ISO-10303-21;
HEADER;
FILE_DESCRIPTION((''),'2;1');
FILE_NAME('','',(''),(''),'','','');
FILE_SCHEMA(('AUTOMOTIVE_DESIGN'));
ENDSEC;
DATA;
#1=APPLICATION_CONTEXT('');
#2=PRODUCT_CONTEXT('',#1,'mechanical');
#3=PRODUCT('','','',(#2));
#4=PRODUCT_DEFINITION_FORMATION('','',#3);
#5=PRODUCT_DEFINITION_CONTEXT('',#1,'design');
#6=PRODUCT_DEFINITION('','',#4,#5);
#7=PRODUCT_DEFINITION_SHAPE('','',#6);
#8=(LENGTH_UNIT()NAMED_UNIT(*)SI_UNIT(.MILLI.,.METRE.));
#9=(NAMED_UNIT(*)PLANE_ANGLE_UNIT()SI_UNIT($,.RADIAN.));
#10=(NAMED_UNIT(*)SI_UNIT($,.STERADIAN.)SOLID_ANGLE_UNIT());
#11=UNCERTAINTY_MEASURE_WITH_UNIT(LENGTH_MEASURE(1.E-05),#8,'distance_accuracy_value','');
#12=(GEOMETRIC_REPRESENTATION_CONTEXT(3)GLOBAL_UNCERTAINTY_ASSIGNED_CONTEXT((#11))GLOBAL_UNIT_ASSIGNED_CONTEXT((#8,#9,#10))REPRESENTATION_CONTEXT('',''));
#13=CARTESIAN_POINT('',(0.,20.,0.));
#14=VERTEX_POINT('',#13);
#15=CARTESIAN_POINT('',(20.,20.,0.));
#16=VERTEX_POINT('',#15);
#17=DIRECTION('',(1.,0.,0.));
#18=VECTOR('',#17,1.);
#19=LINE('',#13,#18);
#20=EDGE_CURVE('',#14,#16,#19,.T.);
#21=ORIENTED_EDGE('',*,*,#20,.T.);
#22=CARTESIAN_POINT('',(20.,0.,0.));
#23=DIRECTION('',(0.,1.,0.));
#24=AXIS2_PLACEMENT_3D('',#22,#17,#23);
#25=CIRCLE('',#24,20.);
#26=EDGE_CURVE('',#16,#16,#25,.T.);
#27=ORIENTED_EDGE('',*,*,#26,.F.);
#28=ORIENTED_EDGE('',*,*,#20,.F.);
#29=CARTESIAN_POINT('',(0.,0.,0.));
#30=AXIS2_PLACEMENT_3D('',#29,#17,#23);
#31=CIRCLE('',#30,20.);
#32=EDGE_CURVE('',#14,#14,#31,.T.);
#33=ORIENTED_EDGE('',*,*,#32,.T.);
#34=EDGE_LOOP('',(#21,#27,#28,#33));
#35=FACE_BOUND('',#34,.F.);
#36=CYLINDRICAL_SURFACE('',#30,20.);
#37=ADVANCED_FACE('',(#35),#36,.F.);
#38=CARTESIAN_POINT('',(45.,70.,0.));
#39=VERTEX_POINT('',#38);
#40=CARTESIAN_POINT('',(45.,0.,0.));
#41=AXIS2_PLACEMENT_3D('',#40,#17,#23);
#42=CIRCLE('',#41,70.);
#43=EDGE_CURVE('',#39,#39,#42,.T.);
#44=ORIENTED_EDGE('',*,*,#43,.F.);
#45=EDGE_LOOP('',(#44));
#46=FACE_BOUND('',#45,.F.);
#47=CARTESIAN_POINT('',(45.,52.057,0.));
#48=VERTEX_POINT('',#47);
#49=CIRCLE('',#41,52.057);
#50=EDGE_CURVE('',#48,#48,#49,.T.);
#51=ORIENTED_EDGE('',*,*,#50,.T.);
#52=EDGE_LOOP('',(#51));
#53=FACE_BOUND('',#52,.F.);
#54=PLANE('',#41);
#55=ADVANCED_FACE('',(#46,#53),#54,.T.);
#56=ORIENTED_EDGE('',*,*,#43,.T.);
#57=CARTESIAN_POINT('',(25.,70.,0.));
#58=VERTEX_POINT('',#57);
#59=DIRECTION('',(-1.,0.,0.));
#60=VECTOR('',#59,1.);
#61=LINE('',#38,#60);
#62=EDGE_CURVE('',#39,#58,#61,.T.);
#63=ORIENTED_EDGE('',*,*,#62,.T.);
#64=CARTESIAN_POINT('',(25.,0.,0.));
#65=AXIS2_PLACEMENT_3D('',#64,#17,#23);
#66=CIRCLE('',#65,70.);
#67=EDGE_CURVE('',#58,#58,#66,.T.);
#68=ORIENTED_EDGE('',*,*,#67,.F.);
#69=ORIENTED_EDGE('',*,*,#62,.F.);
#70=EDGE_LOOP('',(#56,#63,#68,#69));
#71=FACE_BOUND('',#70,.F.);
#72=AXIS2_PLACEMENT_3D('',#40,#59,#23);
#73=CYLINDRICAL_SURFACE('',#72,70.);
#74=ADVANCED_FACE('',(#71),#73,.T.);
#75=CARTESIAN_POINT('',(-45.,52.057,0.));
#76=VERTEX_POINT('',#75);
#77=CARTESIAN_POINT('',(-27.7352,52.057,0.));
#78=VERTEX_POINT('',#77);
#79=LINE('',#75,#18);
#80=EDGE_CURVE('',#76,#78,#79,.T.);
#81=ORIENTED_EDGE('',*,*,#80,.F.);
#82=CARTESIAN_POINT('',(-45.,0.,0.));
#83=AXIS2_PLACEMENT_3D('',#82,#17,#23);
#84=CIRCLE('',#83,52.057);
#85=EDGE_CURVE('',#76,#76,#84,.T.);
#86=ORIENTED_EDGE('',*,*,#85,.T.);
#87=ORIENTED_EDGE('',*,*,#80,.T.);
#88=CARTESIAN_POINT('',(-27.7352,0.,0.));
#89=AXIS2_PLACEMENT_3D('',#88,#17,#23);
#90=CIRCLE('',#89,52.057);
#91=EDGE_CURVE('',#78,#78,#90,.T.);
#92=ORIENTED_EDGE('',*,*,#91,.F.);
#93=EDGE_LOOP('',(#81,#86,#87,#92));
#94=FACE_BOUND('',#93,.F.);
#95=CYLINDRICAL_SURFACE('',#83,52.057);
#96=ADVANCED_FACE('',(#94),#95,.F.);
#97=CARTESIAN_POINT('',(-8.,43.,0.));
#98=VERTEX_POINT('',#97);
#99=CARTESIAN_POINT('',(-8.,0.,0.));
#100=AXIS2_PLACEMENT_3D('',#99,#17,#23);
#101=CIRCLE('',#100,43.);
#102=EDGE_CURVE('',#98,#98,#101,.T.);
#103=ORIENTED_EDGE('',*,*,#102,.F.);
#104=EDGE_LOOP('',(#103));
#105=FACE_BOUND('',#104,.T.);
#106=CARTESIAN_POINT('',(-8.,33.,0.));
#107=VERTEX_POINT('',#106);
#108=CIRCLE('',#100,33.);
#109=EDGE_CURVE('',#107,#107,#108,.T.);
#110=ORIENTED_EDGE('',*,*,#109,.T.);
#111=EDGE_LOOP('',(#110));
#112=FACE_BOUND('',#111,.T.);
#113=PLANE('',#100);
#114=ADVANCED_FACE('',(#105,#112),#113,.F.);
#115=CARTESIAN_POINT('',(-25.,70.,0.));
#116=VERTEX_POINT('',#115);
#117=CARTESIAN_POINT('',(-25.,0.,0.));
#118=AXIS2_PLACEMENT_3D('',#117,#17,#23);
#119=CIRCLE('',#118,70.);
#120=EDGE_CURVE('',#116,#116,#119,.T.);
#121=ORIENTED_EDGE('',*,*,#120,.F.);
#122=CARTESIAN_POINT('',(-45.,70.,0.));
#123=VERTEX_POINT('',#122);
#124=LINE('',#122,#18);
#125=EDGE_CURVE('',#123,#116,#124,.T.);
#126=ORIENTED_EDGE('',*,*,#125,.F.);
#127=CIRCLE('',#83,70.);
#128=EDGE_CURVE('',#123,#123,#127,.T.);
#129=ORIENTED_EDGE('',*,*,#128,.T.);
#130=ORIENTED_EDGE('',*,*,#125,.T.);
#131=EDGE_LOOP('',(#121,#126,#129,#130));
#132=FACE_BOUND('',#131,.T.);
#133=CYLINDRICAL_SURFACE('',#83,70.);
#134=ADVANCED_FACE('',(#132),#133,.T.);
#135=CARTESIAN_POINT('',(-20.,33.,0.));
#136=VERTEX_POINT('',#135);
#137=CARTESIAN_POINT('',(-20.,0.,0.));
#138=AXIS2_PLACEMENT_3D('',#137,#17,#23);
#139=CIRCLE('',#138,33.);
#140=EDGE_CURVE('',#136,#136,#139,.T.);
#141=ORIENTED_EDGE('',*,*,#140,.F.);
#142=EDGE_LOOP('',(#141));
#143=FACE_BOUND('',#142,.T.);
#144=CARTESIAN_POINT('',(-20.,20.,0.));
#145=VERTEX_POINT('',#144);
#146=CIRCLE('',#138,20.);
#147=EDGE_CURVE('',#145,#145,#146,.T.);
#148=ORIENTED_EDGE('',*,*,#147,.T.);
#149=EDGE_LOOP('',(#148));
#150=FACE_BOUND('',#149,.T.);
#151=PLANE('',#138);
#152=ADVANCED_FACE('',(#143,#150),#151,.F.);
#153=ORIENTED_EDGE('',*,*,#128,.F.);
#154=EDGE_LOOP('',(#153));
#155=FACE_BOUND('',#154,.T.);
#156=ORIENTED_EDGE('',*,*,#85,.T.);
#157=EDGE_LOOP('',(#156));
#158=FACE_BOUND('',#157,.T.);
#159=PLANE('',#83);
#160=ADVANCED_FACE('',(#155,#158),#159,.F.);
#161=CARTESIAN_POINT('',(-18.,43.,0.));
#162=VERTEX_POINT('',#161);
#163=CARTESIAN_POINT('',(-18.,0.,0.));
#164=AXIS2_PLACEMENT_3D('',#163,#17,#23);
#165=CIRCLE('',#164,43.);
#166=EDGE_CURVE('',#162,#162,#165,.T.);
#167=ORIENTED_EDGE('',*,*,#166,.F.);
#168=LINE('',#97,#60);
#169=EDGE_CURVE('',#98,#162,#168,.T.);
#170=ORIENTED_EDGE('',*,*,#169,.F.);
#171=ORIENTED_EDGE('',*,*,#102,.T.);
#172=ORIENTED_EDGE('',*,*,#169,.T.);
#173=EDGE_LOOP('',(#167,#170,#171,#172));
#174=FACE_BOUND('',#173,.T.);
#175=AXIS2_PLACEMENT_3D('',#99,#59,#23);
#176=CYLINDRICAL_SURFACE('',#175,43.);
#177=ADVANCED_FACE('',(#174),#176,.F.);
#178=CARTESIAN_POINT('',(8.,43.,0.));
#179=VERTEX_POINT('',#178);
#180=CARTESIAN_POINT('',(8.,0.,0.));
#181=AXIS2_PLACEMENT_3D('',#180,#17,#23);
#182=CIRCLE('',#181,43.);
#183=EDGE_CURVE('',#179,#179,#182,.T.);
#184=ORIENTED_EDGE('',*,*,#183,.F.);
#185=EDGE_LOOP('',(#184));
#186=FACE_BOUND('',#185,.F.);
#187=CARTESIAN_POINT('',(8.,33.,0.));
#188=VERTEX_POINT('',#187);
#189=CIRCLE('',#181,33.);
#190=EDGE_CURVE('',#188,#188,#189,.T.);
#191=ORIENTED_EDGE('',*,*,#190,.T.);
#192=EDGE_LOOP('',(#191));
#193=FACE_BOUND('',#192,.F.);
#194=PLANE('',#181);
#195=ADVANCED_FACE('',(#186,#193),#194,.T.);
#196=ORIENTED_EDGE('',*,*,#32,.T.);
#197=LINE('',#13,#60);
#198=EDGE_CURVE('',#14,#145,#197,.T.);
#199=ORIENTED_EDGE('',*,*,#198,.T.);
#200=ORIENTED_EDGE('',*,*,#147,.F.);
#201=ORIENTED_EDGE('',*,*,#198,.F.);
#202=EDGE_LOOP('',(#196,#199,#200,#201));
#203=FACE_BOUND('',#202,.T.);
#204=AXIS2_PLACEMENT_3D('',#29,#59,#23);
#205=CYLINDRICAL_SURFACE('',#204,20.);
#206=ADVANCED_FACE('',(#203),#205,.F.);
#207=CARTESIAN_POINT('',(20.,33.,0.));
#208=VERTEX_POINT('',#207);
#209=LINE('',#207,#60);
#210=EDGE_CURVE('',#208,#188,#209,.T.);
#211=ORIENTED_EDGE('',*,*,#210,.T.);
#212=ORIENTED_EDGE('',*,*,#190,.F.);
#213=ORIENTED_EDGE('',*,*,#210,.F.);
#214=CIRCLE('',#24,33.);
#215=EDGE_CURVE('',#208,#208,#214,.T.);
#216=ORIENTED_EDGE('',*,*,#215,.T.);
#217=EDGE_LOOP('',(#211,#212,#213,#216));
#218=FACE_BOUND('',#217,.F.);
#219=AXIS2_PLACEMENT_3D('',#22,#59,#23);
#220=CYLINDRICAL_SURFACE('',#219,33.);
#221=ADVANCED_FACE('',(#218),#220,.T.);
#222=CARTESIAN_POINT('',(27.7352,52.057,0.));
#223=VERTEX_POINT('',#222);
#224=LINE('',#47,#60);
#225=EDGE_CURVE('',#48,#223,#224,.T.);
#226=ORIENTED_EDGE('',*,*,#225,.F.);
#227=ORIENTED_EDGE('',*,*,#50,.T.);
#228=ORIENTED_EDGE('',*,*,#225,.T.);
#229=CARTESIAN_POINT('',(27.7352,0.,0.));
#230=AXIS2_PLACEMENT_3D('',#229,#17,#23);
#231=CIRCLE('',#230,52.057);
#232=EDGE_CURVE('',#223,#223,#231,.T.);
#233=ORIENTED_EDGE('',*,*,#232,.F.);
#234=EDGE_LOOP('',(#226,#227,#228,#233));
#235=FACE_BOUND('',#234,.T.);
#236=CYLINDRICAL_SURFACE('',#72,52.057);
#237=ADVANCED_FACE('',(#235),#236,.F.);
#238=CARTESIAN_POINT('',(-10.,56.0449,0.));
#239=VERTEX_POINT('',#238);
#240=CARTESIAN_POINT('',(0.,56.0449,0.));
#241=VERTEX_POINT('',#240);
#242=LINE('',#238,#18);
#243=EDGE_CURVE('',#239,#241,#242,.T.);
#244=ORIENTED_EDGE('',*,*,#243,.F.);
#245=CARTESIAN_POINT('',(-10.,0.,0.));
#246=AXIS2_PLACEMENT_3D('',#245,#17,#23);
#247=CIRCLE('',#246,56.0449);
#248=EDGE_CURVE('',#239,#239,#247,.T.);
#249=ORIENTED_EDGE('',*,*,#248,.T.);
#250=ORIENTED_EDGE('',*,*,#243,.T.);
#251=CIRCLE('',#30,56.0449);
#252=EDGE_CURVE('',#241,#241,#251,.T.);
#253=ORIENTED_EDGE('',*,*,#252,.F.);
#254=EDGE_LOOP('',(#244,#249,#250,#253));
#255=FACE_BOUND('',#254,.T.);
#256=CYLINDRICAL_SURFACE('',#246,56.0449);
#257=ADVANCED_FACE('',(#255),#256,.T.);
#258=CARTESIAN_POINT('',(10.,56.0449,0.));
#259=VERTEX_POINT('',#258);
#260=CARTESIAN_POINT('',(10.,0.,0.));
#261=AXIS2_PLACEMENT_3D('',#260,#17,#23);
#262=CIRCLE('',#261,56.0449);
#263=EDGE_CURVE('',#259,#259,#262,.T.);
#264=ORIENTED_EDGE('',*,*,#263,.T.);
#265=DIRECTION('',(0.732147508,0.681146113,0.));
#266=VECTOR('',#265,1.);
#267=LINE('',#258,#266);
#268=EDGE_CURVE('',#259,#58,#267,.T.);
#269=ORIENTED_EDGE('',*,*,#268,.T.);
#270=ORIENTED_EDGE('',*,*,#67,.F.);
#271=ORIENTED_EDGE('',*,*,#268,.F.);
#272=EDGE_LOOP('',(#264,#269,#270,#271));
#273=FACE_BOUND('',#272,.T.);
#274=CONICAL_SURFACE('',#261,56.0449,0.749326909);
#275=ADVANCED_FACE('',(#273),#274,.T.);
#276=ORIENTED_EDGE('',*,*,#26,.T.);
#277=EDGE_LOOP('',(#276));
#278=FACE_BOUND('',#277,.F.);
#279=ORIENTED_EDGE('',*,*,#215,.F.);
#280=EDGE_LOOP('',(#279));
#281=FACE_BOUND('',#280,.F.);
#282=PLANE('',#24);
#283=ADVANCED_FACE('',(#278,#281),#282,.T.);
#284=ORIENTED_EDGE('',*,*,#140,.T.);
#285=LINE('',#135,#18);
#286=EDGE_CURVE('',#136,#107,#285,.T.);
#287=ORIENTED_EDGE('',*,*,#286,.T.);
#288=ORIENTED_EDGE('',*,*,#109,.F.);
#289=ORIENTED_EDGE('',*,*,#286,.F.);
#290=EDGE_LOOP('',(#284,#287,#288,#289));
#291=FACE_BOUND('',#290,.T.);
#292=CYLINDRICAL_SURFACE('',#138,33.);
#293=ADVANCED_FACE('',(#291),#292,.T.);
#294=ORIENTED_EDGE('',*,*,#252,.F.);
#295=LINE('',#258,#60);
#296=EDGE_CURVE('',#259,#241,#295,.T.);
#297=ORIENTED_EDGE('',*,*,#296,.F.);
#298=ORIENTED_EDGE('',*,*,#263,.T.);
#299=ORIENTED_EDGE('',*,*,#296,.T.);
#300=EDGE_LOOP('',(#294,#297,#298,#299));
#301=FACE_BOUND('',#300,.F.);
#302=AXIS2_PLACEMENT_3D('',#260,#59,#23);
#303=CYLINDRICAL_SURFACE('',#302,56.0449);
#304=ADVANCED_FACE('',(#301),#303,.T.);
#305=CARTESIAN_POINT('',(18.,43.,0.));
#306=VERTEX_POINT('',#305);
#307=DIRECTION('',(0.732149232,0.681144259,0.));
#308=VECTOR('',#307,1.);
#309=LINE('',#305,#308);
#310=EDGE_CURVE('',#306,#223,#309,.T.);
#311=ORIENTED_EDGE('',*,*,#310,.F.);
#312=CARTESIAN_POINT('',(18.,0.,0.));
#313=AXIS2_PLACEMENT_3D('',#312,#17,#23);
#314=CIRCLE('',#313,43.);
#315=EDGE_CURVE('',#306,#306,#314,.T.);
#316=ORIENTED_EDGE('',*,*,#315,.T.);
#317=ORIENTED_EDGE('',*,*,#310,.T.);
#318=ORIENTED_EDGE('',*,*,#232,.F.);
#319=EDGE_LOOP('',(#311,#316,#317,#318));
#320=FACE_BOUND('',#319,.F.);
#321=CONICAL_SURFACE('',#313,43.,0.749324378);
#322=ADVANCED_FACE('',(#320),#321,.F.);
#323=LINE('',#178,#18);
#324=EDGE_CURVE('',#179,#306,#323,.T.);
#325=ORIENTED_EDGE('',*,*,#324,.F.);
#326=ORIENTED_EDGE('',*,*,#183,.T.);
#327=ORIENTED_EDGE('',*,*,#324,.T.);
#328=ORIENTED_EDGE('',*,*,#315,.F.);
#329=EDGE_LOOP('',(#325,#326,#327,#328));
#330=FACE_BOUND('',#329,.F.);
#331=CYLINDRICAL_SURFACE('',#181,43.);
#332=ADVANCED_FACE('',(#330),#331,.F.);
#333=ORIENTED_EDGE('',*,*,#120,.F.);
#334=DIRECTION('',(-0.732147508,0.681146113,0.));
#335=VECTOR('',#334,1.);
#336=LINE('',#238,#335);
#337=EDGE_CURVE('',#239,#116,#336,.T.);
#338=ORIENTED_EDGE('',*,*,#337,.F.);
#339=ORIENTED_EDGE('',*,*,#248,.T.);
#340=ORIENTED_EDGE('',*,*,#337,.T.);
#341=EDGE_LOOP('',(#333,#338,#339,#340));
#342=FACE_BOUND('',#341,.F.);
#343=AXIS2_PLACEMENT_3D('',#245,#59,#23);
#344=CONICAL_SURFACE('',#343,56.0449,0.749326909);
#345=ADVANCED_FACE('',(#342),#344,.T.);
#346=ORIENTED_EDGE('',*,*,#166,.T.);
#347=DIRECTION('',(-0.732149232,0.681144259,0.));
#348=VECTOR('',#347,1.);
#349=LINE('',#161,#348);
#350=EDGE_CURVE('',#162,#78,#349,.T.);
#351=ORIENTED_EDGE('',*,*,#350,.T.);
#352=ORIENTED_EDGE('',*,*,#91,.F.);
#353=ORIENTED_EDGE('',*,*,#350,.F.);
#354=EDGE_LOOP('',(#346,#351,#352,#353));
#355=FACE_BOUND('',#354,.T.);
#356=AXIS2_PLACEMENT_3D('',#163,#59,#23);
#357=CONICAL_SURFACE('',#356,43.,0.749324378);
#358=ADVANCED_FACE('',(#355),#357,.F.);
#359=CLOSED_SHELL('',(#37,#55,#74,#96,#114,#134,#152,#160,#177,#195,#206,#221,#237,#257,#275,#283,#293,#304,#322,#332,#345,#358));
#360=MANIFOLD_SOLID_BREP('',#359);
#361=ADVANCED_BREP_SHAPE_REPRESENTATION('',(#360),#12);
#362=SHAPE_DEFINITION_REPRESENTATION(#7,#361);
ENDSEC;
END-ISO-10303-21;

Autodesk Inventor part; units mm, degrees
ref_plane "YZ Plane" through (0, 0, 0) normal (1, 0, 0) x (0, 1, 0)
ref_plane "XZ Plane" through (0, 0, 0) normal (0, 1, 0) x (-1, 0, 0)
ref_plane "XY Plane" through (0, 0, 0) normal (0, 0, 1) x (1, 0, 0)
sketch "Sketch1" plane through (0, 0, 0) normal (0, 0, 1) x (1, 0, 0)
  line L0 (0, 0) -> (0, 20)
  line L1 (0, 20) -> (0, 70) construction
  line L2 (0, 20) -> (20, 20)
  line L3 (20, 20) -> (20, 33)
  line L4 (20, 33) -> (8, 33)
  line L5 (8, 33) -> (8, 43)
  line L6 (45, 52.057) -> (45, 70)
  line L7 (10, 56.0449) -> (0, 56.0449)
  line L8 (-63, 0) -> (63, 0) projected
  line L9 (45, 70) -> (25, 70)
  line L10 (45, 52.057) -> (27.7352, 52.057)
  line L11 (8, 43) -> (18, 43)
  line L12 (18, 43) -> (27.7352, 52.057)
  line L13 (10, 56.0449) -> (25, 70)
  line L14 (0, 20) -> (-20, 20)
  line L15 (-20, 20) -> (-20, 33)
  line L16 (-20, 33) -> (-8, 33)
  line L17 (-8, 33) -> (-8, 43)
  line L18 (-45, 52.057) -> (-45, 70)
  line L19 (-10, 56.0449) -> (0, 56.0449)
  line L20 (-45, 70) -> (-25, 70)
  line L21 (-45, 52.057) -> (-27.7352, 52.057)
  line L22 (-8, 43) -> (-18, 43)
  line L23 (-18, 43) -> (-27.7352, 52.057)
  line L24 (-10, 56.0449) -> (-25, 70)
  dimension "d3" = 20
  dimension "d5" = 10
  dimension "d9" = 45
  dimension "d11" = 8
  dimension "d12" = 20
  dimension "d13" = 10
  dimension "d14" = 15
  dimension "d16" = 20
  dimension "d17" = 70
  dimension "d18" = 10
  dimension "d19" = 13
revolve "Revolution2" add sketch "Sketch1" angle 360 about axis through (-10, 0, 0) along (1, 0, 0)
properties part number "pulley" material "Iron, Cast"
